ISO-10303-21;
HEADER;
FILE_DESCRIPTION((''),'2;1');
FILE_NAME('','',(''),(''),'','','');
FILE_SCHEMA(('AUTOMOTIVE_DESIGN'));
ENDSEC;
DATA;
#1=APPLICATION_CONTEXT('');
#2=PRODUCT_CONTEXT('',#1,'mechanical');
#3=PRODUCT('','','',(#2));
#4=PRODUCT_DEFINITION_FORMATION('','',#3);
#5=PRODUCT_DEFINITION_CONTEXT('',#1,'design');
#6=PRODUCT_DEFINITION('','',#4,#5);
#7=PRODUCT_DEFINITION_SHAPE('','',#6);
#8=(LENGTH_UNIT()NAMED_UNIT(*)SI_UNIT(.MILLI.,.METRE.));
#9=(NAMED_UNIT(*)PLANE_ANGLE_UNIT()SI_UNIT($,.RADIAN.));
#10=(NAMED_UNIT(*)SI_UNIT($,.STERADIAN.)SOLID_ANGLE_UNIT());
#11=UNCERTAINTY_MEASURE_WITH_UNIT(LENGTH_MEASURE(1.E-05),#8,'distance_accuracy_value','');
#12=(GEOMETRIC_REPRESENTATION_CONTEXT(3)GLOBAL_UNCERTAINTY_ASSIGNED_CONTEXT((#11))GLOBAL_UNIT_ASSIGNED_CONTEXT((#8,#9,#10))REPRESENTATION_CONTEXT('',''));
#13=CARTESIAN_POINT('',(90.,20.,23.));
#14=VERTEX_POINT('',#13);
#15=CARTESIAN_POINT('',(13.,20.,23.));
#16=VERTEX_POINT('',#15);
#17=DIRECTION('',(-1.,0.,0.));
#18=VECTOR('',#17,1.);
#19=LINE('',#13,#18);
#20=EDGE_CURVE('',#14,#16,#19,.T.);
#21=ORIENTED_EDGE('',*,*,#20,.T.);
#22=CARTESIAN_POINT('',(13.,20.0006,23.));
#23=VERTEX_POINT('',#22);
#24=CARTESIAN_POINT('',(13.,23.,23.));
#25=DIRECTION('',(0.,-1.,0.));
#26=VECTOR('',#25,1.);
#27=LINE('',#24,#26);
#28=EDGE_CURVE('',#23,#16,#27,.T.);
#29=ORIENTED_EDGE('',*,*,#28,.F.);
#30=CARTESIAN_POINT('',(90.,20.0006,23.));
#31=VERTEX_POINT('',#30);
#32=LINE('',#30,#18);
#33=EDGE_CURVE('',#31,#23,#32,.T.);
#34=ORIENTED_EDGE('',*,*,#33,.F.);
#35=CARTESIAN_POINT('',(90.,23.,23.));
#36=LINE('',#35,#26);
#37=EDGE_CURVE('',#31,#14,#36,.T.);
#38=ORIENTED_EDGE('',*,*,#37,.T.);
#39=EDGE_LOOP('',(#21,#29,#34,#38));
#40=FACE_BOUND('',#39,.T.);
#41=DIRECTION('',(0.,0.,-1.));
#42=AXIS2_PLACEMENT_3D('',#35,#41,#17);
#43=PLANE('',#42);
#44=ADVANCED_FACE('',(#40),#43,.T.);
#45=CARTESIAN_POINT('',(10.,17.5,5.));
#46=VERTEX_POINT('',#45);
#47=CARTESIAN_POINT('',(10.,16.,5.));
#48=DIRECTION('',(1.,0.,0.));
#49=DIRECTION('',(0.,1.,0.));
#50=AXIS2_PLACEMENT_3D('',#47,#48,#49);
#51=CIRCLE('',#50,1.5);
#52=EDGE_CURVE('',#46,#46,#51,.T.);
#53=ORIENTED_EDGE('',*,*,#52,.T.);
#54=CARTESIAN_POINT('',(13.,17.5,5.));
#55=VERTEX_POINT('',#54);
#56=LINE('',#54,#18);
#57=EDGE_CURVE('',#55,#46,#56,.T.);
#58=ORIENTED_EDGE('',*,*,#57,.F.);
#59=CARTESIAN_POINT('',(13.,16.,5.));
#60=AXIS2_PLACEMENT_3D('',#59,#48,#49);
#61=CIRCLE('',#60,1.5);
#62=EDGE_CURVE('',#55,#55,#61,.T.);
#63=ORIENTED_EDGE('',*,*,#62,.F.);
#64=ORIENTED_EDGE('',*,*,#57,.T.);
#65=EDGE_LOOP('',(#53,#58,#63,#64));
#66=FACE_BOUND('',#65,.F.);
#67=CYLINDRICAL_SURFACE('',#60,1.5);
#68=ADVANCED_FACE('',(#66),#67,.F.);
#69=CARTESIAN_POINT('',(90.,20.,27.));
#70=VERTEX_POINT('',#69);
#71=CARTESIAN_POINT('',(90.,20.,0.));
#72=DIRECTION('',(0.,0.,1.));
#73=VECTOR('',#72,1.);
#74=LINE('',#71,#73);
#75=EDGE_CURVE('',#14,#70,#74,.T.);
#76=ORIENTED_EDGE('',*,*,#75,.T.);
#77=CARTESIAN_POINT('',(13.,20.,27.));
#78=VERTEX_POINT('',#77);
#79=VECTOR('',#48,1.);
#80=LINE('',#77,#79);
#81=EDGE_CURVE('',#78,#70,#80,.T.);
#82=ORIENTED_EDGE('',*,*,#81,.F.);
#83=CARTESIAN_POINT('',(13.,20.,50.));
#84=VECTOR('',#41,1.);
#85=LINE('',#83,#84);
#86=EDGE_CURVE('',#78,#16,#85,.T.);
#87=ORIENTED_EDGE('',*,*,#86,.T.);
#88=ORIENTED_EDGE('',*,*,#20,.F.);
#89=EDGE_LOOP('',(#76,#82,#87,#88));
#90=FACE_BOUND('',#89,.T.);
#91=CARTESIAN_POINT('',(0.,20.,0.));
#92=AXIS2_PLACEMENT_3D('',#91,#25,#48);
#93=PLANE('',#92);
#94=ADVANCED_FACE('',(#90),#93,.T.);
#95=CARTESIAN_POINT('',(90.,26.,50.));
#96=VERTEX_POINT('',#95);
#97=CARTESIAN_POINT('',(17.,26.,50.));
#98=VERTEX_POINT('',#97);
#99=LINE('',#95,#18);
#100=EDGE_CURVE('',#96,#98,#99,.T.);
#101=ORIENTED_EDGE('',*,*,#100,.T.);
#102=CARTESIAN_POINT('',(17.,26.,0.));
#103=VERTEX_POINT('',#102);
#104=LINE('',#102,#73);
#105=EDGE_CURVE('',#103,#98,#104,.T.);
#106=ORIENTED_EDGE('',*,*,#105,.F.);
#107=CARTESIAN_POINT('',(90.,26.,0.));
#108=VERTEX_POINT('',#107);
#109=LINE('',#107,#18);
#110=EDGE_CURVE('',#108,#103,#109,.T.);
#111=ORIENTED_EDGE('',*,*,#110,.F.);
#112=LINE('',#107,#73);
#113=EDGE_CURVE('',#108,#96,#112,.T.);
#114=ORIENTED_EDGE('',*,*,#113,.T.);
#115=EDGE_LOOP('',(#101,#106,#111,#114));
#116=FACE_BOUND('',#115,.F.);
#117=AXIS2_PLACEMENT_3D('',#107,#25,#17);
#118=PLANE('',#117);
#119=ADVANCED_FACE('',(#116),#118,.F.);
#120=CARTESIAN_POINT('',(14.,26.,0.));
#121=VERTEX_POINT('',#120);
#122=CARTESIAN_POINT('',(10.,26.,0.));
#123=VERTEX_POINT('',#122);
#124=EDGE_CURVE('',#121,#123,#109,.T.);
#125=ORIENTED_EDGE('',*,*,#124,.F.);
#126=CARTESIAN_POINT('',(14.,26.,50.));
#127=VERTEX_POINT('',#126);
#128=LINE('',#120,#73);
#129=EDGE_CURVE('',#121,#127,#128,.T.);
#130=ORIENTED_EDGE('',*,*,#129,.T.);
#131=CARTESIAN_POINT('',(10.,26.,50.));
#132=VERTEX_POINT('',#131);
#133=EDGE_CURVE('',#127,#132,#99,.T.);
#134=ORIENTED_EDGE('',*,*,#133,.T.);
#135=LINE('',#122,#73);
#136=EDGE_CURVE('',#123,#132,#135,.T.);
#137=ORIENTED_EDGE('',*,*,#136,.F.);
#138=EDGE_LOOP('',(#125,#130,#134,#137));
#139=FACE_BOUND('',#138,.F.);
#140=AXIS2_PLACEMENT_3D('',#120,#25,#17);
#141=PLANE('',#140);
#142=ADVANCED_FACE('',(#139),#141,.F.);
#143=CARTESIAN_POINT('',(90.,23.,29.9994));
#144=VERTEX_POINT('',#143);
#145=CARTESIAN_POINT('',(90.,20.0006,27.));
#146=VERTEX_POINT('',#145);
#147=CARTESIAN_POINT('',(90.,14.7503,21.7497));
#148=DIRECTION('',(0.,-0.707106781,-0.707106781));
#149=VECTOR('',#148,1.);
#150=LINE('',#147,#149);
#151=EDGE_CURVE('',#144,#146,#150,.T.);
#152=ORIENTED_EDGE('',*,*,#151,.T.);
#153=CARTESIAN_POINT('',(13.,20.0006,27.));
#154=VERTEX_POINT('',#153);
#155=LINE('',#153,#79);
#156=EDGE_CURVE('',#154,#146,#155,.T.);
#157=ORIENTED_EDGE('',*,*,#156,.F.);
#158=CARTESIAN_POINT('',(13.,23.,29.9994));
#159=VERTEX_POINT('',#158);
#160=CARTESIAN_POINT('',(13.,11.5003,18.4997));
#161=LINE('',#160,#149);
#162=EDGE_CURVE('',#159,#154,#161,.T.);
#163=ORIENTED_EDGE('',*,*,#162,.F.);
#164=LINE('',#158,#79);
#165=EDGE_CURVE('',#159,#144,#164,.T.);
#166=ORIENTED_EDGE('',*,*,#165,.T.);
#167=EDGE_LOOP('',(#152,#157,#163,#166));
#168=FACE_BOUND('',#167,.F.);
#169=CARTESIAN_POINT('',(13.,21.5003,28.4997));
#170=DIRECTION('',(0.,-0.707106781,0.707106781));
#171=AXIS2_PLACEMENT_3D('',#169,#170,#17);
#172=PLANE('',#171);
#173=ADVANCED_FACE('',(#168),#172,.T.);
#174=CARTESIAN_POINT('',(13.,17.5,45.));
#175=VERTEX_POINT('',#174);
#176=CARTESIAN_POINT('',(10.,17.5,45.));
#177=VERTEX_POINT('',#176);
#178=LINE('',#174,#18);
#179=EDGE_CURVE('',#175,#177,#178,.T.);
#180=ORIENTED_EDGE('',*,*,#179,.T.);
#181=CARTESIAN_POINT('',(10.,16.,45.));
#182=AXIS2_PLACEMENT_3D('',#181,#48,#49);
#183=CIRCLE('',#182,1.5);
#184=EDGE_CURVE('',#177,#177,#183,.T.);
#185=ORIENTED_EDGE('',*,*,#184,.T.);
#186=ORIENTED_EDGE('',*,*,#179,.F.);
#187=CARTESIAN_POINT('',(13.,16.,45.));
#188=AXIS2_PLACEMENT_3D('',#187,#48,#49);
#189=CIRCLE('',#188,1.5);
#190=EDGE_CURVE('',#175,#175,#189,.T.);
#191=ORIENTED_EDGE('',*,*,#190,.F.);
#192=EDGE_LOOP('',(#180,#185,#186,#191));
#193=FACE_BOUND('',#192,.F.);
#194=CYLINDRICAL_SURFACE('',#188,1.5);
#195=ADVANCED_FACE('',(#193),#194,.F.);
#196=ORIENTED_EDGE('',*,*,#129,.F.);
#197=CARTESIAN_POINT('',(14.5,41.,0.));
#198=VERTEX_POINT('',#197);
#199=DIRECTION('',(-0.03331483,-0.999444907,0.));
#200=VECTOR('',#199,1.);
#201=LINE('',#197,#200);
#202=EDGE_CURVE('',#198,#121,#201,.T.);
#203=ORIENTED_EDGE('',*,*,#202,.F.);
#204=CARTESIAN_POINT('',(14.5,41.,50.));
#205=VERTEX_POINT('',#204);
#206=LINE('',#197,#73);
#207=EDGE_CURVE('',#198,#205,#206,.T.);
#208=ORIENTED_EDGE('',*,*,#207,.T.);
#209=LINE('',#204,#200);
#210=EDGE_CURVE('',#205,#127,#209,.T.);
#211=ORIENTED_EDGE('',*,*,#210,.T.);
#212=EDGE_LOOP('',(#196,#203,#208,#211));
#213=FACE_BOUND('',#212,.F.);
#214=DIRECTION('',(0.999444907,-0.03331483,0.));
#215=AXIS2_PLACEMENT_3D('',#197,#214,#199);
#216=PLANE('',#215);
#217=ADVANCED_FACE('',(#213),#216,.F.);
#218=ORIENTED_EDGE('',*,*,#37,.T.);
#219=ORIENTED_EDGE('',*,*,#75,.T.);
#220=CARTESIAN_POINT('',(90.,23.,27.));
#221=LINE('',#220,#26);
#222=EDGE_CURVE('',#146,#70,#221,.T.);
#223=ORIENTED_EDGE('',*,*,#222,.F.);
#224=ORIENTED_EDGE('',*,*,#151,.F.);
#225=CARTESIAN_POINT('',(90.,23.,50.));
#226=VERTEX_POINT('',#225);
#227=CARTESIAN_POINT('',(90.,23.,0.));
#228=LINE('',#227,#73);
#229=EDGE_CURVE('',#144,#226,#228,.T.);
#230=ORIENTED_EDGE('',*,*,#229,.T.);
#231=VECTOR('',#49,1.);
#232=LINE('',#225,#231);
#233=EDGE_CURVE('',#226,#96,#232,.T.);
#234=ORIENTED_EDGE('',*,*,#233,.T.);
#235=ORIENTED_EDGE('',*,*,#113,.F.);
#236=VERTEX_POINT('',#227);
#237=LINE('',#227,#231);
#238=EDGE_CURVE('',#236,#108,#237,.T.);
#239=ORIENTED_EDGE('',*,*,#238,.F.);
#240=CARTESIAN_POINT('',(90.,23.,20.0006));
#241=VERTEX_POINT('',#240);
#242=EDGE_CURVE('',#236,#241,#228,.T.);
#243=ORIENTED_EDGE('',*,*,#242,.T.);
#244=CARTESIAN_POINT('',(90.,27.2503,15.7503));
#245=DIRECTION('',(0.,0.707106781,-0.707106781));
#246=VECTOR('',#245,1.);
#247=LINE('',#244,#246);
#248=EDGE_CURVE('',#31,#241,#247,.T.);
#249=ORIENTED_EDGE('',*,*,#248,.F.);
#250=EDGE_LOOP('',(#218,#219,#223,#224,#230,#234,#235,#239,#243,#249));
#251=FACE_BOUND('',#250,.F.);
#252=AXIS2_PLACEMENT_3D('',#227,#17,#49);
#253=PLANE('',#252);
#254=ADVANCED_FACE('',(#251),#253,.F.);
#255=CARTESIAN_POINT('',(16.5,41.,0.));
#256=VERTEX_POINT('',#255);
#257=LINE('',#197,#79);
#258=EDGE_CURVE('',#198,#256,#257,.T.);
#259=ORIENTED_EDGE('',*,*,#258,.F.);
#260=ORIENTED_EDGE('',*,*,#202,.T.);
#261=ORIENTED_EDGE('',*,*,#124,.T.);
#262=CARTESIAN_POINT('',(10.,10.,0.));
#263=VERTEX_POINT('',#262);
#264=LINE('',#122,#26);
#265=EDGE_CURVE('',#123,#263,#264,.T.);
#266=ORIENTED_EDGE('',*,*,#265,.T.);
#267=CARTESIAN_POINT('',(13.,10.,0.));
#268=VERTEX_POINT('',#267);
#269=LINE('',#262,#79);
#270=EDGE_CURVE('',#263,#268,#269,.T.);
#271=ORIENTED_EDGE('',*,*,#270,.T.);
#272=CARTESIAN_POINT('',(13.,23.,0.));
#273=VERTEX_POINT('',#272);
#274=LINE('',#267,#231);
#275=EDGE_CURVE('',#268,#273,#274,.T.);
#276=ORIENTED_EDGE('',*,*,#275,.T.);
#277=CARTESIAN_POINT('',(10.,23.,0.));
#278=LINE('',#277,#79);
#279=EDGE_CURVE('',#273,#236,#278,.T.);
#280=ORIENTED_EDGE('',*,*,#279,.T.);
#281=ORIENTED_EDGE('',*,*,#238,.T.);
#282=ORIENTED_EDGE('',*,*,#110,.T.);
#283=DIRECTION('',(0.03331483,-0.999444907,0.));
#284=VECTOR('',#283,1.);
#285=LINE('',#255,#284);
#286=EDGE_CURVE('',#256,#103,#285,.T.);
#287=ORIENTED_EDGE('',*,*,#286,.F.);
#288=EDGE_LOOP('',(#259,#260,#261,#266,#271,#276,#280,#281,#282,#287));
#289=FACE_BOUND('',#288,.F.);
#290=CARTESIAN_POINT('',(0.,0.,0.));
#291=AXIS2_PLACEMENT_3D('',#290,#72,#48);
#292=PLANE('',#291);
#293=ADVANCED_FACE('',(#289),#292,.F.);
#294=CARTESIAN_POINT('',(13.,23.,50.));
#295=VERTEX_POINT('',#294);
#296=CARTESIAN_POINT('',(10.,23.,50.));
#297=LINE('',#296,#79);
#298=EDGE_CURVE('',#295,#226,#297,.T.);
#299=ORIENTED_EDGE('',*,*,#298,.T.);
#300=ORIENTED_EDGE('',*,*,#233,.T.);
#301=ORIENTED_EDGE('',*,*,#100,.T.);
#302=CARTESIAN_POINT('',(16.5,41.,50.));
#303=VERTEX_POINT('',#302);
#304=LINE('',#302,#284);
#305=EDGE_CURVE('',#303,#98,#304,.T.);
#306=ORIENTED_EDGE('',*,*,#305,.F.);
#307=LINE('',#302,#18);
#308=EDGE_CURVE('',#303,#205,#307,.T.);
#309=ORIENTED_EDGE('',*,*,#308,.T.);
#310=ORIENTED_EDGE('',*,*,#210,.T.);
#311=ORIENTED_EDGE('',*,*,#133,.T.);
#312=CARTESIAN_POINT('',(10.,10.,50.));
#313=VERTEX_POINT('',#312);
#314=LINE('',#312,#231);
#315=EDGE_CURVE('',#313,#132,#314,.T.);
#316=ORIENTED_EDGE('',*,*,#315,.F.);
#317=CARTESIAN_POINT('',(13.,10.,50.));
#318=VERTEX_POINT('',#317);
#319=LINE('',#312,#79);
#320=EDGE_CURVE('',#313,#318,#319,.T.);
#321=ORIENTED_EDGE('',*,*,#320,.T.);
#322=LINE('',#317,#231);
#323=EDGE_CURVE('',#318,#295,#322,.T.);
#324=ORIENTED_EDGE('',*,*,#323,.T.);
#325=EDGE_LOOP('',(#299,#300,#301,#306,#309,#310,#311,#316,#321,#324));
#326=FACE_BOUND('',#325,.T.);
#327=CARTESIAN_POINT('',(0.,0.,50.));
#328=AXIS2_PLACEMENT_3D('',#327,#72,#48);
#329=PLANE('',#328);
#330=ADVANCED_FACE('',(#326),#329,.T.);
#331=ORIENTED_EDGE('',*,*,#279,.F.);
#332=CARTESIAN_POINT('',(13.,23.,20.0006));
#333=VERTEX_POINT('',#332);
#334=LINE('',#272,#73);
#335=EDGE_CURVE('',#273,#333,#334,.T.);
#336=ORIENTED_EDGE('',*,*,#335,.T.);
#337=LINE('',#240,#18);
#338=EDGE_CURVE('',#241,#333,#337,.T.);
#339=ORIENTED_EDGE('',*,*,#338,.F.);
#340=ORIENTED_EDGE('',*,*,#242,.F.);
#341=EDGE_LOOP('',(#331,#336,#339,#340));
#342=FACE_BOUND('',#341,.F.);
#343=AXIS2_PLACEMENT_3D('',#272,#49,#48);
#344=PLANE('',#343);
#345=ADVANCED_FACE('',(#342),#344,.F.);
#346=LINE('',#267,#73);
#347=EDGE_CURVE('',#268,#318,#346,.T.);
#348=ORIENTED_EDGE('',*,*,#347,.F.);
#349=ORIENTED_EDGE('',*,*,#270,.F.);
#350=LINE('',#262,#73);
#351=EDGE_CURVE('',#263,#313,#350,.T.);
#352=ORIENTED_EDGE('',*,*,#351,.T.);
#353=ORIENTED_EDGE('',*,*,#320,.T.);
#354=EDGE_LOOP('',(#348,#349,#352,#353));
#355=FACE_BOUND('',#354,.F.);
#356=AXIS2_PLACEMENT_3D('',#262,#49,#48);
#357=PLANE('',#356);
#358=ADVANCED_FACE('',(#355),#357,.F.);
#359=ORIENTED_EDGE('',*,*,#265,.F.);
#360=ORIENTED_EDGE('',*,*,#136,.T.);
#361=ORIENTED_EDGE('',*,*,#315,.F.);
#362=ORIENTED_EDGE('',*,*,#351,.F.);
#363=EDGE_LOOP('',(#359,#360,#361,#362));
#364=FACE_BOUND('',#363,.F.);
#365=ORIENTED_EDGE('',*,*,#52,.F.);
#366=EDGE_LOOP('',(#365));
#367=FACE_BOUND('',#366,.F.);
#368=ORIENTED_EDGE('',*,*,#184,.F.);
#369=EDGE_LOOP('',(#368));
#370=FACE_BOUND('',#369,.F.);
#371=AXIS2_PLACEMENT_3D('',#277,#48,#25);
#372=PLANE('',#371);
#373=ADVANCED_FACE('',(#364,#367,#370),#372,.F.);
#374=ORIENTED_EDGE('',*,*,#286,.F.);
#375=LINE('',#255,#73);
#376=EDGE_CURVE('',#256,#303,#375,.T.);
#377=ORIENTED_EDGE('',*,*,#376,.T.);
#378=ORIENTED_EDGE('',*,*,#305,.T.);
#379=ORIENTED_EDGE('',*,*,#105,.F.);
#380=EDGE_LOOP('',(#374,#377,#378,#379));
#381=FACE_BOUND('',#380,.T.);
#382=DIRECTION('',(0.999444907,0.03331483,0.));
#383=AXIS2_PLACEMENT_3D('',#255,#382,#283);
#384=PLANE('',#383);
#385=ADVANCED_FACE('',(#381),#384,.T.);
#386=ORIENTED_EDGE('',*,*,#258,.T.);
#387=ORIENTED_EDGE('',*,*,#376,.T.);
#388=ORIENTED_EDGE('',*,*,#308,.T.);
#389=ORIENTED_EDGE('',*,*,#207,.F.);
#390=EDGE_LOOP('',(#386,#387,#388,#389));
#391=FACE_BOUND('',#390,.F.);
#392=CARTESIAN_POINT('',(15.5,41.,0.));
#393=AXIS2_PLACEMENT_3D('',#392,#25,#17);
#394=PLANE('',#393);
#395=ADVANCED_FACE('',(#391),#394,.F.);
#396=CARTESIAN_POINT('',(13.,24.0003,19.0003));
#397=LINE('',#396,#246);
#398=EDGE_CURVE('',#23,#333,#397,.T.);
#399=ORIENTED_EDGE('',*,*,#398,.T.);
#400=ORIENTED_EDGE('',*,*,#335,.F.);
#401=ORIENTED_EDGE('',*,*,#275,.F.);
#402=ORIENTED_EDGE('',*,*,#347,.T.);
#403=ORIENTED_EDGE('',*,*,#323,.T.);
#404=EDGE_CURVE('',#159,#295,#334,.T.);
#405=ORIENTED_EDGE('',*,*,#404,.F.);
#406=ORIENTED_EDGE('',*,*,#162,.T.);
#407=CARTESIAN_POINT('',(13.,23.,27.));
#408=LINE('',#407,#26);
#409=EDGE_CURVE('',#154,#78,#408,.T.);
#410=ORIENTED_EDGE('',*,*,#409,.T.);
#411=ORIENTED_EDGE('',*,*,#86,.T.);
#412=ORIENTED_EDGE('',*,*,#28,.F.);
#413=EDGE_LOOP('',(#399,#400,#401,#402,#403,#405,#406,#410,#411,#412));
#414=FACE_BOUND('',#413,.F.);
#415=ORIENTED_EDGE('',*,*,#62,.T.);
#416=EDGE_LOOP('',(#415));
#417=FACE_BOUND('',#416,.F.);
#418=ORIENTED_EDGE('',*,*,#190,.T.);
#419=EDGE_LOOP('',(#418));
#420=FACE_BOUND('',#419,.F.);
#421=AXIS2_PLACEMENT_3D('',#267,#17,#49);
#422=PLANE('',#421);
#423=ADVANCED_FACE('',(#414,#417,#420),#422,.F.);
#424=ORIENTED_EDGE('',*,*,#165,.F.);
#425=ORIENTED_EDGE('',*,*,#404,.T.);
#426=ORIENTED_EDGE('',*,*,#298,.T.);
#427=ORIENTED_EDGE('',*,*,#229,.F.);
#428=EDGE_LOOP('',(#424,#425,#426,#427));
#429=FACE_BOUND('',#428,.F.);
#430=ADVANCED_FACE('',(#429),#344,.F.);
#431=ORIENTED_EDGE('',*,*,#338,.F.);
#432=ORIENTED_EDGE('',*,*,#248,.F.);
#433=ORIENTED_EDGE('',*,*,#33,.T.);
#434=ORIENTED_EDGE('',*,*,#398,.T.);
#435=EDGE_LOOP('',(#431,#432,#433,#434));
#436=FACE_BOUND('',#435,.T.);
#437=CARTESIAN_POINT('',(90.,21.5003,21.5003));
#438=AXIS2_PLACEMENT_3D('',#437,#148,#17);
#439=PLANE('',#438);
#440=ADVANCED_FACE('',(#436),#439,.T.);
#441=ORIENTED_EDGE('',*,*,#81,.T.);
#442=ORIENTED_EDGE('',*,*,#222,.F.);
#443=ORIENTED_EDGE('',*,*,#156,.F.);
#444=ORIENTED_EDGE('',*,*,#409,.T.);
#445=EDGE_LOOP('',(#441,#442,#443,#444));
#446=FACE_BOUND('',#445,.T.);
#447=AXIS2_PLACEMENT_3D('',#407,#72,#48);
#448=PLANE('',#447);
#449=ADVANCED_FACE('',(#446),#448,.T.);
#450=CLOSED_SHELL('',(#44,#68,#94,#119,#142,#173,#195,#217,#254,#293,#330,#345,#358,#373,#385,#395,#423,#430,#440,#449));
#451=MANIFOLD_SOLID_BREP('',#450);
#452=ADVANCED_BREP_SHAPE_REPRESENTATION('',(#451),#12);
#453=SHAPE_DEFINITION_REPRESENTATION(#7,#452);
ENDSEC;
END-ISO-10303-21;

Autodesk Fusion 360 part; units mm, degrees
sketch "Skizze1" plane through (0, 0, 0) normal (0, 0, 1) x (1, 0, 0)
  line L0 (10, 10) -> (13, 10)
  line L1 (13, 10) -> (13, 23)
  line L2 (13, 23) -> (10, 23)
  line L3 (10, 23) -> (10, 10)
  line L4 (10, 23) -> (90, 23)
  line L5 (90, 23) -> (90, 26)
  line L6 (90, 26) -> (10, 26)
  line L7 (10, 26) -> (10, 23)
  line L8 (14, 26) -> (17, 26)
  line L9 (15.5, 26) -> (15.5, 41)
  line L10 (15.5, 41) -> (16.5, 41)
  line L11 (15.5, 41) -> (14.5, 41)
  line L12 (14.5, 41) -> (14, 26)
  line L13 (16.5, 41) -> (17, 26)
  dimension "d1" = 3
  dimension "d2" = 13
  dimension "d3" = 80
  dimension "d4" = 3
  dimension "d5" = 3
  dimension "d6" = 15
  dimension "d7" = 1
  dimension "d8" = 1
extrude "Extrusion1" add sketch "Skizze1" along normal blind 50
sketch "Skizze2" plane through (13, 0, 0) normal (1, 0, 0) x (0, 1, 0)
  line L0 (10, 0) -> (23, 0)
  line L1 (23, 0) -> (23, 50)
  line L2 (23, 50) -> (10, 50)
  line L3 (10, 50) -> (10, 0)
  circle A0 centre (16, 45) radius 1.5
  circle A1 centre (16, 5) radius 1.5
  dimension "d11" = 3
  dimension "d12" = 3
extrude "Extrusion2" cut sketch "Skizze2" against normal blind 3 contours A0 | A1
sketch "Skizze3" plane through (0, 23, 0) normal (0, -1, 0) x (1, 0, 0)
  line L0 (13, 0) -> (90, 0)
  line L1 (90, 0) -> (90, 50)
  line L2 (90, 50) -> (13, 50)
  line L3 (13, 50) -> (13, 0)
  line L4 (90, 23) -> (13, 23)
  line L5 (13, 23) -> (13, 27)
  line L6 (13, 27) -> (90, 27)
  line L7 (90, 27) -> (90, 23)
  line L8 (90, 23) -> (13, 27) construction
  line L9 (13, 23) -> (90, 27) construction
  dimension "d15" = 4
extrude "Extrusion3" add sketch "Skizze3" along normal blind 3 contours L1 L3 L4 L5 L6 L7
chamfer "Fase1" distance 3 angle 45 1 edges at (51.5, 23, 27)
chamfer "Fase2" distance 3 angle 45 1 edges at (51.5, 23, 23)
